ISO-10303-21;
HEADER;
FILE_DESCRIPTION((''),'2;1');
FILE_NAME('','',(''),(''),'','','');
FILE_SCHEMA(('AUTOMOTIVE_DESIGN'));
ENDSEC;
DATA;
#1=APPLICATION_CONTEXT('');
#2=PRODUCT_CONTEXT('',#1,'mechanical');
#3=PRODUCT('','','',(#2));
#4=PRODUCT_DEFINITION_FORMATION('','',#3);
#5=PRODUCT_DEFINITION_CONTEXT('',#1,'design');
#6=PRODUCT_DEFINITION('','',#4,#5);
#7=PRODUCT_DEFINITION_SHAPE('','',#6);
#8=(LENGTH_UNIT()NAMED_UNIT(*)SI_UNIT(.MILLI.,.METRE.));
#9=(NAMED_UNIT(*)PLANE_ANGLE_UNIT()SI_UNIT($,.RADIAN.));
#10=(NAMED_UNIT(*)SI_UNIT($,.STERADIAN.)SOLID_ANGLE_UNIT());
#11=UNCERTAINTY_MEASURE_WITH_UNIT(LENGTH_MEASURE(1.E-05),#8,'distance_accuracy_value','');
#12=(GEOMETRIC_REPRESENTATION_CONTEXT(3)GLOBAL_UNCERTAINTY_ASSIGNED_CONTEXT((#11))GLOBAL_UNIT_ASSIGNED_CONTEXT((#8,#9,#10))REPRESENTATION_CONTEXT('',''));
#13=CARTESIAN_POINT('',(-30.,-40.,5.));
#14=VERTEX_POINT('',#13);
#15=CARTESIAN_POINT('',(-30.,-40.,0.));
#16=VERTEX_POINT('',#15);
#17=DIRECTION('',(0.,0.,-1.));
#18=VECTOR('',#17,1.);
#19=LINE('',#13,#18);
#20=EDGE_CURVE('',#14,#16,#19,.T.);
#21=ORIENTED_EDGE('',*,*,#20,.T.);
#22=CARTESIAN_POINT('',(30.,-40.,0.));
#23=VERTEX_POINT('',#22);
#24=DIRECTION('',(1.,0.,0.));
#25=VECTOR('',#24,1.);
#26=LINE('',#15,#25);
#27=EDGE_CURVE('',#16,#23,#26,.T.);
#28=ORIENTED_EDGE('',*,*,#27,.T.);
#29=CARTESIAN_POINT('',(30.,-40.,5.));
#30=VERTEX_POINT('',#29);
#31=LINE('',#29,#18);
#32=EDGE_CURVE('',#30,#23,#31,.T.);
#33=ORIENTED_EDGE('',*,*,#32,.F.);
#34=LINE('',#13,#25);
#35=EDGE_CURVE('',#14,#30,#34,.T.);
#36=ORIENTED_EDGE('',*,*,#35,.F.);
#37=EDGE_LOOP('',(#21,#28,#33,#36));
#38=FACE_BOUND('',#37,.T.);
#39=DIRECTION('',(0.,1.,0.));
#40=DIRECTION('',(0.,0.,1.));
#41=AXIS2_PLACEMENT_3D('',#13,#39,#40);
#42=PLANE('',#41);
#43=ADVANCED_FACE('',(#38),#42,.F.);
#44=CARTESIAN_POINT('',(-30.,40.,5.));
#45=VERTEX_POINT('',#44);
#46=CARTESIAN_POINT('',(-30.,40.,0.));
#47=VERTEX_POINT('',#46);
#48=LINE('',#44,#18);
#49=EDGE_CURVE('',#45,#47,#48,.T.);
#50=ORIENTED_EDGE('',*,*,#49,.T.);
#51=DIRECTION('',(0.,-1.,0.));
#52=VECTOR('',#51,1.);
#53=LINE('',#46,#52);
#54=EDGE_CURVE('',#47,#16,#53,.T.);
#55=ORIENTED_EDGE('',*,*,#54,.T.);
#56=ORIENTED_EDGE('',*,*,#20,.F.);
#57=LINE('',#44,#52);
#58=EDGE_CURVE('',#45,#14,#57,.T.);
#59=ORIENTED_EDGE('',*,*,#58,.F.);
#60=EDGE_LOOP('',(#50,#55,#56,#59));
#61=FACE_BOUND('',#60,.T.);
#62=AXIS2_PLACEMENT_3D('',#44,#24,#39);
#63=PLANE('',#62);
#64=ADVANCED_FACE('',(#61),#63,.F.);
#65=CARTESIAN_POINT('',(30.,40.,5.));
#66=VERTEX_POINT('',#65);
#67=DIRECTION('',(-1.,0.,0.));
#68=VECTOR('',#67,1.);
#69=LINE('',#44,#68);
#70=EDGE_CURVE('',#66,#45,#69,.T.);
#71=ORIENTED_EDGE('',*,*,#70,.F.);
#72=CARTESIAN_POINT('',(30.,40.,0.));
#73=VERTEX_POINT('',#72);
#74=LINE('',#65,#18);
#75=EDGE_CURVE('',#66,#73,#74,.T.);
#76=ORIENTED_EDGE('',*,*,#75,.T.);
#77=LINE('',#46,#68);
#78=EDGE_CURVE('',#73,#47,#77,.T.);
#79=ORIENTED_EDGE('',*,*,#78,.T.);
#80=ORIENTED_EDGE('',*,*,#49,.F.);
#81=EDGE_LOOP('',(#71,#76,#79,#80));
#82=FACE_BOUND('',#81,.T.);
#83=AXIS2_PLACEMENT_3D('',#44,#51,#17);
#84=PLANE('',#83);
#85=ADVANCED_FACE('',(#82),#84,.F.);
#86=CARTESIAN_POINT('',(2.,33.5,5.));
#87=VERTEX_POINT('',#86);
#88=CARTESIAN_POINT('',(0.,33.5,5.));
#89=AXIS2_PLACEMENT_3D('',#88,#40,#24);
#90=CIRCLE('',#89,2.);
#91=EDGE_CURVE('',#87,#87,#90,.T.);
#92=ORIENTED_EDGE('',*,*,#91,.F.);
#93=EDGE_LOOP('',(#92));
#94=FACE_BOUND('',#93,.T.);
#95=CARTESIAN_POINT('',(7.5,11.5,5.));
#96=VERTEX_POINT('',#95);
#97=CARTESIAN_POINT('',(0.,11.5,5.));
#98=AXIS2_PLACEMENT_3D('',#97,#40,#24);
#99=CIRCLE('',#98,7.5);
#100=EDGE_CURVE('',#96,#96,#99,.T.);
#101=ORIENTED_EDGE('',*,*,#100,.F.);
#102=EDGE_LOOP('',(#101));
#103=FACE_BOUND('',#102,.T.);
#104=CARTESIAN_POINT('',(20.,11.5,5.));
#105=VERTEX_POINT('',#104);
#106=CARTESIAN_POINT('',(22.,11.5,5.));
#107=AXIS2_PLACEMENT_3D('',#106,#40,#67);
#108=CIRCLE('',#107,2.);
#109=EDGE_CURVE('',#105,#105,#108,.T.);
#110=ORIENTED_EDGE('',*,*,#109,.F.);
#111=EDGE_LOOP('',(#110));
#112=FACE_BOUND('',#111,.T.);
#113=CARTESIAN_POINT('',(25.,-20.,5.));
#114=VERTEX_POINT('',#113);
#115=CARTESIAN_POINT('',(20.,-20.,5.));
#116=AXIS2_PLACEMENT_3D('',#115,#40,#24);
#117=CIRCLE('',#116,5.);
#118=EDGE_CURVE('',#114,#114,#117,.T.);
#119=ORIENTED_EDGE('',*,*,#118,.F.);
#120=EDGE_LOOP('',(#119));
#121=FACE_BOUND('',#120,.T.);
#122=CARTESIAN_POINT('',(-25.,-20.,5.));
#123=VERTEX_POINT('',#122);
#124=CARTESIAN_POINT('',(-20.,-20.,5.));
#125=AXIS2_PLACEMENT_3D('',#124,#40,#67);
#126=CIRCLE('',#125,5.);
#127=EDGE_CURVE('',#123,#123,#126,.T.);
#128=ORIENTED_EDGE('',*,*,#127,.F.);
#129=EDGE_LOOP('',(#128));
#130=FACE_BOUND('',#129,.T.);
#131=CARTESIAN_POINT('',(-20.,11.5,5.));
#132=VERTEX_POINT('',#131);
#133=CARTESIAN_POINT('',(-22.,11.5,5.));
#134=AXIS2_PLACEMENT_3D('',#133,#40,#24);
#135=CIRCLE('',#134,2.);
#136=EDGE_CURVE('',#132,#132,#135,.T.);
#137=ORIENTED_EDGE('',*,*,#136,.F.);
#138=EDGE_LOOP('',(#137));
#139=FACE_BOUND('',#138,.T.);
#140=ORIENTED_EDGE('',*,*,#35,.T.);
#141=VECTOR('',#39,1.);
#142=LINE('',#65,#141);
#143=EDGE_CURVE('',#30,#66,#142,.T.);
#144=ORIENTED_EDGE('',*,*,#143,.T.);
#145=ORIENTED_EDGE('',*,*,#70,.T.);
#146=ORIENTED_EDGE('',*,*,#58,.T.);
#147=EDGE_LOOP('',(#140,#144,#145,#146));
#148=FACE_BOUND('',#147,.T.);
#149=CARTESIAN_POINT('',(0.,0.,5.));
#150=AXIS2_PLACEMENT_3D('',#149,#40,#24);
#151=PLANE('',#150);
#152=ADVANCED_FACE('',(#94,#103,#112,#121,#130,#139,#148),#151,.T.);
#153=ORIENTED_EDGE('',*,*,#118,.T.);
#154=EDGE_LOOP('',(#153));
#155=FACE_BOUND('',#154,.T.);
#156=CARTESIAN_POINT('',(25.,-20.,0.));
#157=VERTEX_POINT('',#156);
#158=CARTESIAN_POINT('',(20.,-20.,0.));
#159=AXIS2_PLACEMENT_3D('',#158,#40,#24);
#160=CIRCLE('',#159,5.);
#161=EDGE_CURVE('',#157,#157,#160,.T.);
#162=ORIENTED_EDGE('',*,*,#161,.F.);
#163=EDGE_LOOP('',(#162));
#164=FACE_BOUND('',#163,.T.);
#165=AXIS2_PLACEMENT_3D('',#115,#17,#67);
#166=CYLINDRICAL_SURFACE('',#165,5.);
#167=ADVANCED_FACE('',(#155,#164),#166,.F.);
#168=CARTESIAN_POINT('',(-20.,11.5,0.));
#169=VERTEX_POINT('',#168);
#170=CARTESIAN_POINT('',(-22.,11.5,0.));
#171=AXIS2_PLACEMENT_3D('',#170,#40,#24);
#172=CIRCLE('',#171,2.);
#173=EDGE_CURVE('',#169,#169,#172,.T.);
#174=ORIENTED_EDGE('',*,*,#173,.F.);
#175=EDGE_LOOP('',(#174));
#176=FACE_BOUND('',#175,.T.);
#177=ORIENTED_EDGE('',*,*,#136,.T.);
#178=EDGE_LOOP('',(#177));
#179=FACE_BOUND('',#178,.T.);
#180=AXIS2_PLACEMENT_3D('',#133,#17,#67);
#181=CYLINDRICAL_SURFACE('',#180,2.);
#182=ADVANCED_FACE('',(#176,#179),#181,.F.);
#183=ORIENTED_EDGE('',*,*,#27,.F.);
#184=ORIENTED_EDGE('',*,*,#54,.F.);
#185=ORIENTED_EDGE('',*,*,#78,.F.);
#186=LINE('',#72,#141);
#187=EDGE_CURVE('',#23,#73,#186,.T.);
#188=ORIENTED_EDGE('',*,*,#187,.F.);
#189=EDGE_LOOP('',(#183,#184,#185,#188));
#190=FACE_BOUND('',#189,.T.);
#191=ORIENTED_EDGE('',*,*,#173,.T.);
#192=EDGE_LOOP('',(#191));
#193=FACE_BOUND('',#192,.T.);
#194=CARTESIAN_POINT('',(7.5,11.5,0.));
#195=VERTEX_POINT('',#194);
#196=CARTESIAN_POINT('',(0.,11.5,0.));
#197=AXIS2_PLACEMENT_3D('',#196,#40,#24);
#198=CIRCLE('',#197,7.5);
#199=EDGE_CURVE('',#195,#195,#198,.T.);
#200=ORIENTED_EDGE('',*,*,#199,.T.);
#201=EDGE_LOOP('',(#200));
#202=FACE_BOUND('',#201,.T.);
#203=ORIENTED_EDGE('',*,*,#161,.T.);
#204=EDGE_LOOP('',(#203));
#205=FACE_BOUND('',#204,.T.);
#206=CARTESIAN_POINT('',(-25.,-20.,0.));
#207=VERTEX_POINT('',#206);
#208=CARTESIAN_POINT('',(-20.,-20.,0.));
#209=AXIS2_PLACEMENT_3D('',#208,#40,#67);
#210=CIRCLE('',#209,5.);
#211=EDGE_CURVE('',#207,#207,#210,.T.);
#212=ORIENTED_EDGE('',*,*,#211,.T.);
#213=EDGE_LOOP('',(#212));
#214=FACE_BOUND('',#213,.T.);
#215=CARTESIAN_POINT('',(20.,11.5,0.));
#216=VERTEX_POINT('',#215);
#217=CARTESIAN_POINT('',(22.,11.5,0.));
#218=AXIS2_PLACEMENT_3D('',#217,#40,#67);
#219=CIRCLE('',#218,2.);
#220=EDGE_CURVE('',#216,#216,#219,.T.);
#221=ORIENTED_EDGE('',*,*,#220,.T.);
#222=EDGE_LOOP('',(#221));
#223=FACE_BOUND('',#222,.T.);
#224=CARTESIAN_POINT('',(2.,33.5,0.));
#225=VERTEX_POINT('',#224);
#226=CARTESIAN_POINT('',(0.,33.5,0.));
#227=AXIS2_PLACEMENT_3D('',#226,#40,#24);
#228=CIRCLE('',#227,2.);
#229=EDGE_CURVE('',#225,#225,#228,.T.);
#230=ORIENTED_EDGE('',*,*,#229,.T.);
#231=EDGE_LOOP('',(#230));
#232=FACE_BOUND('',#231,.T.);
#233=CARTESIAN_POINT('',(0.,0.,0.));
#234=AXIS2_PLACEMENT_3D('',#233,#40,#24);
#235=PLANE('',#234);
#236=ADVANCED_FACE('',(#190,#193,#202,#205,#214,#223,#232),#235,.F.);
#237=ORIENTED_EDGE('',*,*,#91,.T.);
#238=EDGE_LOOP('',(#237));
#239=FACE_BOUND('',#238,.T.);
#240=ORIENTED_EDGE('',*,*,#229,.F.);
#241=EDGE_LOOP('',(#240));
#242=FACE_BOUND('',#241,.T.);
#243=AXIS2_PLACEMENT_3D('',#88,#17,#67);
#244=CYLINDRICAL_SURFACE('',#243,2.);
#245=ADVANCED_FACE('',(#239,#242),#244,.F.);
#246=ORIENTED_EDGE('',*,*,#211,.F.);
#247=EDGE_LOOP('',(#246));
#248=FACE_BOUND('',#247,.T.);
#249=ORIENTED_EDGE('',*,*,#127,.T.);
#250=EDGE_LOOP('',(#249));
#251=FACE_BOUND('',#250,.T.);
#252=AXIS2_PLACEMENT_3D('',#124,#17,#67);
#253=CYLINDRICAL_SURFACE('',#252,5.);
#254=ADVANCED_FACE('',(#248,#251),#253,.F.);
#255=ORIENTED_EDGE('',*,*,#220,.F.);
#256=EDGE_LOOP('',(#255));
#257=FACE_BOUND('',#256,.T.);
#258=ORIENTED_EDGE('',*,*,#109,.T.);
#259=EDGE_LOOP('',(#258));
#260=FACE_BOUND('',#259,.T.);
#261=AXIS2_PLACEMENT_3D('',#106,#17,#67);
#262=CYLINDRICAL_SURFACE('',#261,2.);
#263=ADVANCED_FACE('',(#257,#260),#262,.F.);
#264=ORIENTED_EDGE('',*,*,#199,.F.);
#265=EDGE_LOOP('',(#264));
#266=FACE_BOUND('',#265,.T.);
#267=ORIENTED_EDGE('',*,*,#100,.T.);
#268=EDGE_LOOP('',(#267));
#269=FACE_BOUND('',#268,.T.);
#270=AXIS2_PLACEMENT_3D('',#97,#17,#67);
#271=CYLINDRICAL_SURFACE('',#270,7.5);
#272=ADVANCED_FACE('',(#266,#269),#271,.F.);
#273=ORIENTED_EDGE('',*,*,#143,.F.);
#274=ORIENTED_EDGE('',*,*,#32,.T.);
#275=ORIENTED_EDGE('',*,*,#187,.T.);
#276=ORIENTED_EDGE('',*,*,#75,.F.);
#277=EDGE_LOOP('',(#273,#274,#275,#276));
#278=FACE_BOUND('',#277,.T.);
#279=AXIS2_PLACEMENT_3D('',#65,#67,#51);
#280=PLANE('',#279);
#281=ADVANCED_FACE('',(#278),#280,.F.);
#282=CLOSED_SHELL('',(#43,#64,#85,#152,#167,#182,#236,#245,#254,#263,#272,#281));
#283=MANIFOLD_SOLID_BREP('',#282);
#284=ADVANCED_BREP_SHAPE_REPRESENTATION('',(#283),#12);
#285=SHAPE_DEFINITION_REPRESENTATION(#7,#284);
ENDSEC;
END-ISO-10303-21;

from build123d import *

# Parameters (mm, degrees)
SKETCH1_W           = 60
SKETCH1_H           = 80
SKETCH1_R           = 7.5
SKETCH1_R_2         = 5
SKETCH1_R_3         = 2
BOSS_EXTRUDE1_DEPTH = 5


with BuildPart() as part:
    # Sketch1 → Boss-Extrude1 (new body)
    with BuildSketch(Plane.XY):
        Rectangle(SKETCH1_W, SKETCH1_H)
        with Locations((0, 11.5)):
            Circle(SKETCH1_R, mode=Mode.SUBTRACT)
        with Locations((20, -20)):
            Circle(SKETCH1_R_2, mode=Mode.SUBTRACT)
        with Locations((0, 33.5)):
            Circle(SKETCH1_R_3, mode=Mode.SUBTRACT)
        with Locations((-22, 11.5)):
            Circle(SKETCH1_R_3, mode=Mode.SUBTRACT)
        with Locations((-20, -20)):
            Circle(SKETCH1_R_2, mode=Mode.SUBTRACT)
        with Locations((22, 11.5)):
            Circle(SKETCH1_R_3, mode=Mode.SUBTRACT)
    extrude(amount=BOSS_EXTRUDE1_DEPTH)


solid = part.part
